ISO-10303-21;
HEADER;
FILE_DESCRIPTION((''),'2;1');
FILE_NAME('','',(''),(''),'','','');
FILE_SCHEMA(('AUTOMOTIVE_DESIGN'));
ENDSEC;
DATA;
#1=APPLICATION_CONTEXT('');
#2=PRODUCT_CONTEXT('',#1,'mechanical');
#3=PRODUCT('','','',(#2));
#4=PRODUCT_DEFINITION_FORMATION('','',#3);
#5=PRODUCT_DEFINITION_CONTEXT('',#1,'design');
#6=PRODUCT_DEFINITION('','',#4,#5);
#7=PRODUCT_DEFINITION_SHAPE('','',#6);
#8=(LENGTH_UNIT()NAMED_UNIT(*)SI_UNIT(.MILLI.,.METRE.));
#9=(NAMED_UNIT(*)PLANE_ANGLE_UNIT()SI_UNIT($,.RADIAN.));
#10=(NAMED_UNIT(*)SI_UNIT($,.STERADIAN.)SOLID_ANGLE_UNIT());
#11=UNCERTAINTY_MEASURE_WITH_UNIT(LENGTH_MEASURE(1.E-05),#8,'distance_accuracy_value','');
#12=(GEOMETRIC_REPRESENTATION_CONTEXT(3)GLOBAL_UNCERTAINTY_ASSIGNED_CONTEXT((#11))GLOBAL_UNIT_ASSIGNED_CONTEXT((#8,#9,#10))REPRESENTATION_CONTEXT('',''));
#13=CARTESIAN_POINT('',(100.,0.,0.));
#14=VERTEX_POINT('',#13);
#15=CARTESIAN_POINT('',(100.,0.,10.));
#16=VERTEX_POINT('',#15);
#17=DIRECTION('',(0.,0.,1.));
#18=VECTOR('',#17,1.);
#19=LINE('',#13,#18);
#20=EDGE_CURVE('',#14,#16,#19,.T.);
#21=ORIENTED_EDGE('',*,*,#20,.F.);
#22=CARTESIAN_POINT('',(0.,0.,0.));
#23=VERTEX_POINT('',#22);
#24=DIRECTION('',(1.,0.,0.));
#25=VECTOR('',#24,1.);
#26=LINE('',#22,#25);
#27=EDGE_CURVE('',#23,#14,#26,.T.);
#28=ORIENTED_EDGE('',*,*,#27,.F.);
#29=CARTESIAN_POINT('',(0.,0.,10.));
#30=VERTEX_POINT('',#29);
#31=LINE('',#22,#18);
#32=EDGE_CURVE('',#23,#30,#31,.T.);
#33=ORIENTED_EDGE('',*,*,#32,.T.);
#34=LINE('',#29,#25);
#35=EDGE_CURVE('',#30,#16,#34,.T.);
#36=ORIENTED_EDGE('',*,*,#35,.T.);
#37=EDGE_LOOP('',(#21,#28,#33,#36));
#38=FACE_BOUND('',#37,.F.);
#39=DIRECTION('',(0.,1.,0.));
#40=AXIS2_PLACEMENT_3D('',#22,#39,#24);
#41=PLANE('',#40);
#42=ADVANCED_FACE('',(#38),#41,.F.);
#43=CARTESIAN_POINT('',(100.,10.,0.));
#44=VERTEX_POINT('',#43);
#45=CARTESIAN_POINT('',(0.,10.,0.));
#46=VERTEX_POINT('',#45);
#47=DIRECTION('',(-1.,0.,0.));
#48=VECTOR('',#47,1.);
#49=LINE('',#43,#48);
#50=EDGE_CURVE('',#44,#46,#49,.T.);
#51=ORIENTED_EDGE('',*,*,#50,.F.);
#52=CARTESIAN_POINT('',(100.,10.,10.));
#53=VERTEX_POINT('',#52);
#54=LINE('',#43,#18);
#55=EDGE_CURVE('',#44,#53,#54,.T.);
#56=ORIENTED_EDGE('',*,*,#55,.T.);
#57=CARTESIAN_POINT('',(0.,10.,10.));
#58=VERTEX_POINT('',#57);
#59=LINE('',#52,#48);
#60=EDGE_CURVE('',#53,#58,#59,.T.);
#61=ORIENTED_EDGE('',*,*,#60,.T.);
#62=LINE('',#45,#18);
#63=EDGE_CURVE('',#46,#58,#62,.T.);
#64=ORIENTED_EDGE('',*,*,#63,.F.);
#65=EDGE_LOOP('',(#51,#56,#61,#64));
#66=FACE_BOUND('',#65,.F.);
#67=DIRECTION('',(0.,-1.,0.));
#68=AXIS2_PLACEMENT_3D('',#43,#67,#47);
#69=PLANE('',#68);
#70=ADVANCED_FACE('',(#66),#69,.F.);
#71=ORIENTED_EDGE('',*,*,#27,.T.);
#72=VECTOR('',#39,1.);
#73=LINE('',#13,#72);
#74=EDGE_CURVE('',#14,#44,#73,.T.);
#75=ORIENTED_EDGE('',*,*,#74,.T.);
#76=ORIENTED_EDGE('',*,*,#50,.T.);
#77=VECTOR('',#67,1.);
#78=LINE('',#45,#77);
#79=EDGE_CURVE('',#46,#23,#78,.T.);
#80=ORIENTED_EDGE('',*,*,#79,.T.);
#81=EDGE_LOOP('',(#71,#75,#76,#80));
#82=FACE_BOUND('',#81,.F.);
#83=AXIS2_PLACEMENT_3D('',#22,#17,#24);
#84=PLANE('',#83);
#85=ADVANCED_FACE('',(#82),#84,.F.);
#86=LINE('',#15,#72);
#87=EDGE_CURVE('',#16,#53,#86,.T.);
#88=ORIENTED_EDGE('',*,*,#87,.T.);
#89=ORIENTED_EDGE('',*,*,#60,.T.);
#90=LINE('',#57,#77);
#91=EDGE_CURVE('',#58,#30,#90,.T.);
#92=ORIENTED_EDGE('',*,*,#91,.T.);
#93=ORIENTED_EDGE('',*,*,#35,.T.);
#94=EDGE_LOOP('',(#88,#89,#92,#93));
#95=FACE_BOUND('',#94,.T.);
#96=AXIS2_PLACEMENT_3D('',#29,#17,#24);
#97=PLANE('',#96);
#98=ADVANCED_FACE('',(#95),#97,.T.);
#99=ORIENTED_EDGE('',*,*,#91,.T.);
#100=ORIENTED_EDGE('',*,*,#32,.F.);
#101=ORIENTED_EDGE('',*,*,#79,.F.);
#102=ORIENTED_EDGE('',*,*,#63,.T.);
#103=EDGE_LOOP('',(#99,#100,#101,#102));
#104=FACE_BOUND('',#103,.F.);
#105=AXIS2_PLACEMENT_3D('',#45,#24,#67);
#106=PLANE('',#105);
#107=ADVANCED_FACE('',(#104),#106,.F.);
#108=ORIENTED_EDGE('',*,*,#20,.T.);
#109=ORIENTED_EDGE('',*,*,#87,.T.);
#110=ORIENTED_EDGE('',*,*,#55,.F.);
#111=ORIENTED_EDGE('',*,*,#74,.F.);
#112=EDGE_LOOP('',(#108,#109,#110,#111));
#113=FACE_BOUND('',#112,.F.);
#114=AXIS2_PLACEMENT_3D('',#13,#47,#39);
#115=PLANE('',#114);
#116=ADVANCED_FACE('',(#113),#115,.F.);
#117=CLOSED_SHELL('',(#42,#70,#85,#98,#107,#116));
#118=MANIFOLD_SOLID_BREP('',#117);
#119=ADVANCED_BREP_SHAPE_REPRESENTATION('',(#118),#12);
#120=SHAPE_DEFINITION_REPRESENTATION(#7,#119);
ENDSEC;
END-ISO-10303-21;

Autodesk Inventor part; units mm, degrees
ref_plane "YZ Plane" through (0, 0, 0) normal (1, 0, 0) x (0, 1, 0)
ref_plane "XZ Plane" through (0, 0, 0) normal (0, 1, 0) x (-1, 0, 0)
ref_plane "XY Plane" through (0, 0, 0) normal (0, 0, 1) x (1, 0, 0)
sketch "Sketch1" plane through (0, 0, 0) normal (0, 0, 1) x (1, 0, 0)
  line L0 (0, 0) -> (100, 0)
  line L1 (100, 0) -> (100, 10)
  line L2 (100, 10) -> (0, 10)
  line L3 (0, 10) -> (0, 0)
  dimension "d0" = 100
  dimension "d1" = 10
extrude "Extrusion1" add sketch "Sketch1" along normal blind 10
properties part number "klods"
